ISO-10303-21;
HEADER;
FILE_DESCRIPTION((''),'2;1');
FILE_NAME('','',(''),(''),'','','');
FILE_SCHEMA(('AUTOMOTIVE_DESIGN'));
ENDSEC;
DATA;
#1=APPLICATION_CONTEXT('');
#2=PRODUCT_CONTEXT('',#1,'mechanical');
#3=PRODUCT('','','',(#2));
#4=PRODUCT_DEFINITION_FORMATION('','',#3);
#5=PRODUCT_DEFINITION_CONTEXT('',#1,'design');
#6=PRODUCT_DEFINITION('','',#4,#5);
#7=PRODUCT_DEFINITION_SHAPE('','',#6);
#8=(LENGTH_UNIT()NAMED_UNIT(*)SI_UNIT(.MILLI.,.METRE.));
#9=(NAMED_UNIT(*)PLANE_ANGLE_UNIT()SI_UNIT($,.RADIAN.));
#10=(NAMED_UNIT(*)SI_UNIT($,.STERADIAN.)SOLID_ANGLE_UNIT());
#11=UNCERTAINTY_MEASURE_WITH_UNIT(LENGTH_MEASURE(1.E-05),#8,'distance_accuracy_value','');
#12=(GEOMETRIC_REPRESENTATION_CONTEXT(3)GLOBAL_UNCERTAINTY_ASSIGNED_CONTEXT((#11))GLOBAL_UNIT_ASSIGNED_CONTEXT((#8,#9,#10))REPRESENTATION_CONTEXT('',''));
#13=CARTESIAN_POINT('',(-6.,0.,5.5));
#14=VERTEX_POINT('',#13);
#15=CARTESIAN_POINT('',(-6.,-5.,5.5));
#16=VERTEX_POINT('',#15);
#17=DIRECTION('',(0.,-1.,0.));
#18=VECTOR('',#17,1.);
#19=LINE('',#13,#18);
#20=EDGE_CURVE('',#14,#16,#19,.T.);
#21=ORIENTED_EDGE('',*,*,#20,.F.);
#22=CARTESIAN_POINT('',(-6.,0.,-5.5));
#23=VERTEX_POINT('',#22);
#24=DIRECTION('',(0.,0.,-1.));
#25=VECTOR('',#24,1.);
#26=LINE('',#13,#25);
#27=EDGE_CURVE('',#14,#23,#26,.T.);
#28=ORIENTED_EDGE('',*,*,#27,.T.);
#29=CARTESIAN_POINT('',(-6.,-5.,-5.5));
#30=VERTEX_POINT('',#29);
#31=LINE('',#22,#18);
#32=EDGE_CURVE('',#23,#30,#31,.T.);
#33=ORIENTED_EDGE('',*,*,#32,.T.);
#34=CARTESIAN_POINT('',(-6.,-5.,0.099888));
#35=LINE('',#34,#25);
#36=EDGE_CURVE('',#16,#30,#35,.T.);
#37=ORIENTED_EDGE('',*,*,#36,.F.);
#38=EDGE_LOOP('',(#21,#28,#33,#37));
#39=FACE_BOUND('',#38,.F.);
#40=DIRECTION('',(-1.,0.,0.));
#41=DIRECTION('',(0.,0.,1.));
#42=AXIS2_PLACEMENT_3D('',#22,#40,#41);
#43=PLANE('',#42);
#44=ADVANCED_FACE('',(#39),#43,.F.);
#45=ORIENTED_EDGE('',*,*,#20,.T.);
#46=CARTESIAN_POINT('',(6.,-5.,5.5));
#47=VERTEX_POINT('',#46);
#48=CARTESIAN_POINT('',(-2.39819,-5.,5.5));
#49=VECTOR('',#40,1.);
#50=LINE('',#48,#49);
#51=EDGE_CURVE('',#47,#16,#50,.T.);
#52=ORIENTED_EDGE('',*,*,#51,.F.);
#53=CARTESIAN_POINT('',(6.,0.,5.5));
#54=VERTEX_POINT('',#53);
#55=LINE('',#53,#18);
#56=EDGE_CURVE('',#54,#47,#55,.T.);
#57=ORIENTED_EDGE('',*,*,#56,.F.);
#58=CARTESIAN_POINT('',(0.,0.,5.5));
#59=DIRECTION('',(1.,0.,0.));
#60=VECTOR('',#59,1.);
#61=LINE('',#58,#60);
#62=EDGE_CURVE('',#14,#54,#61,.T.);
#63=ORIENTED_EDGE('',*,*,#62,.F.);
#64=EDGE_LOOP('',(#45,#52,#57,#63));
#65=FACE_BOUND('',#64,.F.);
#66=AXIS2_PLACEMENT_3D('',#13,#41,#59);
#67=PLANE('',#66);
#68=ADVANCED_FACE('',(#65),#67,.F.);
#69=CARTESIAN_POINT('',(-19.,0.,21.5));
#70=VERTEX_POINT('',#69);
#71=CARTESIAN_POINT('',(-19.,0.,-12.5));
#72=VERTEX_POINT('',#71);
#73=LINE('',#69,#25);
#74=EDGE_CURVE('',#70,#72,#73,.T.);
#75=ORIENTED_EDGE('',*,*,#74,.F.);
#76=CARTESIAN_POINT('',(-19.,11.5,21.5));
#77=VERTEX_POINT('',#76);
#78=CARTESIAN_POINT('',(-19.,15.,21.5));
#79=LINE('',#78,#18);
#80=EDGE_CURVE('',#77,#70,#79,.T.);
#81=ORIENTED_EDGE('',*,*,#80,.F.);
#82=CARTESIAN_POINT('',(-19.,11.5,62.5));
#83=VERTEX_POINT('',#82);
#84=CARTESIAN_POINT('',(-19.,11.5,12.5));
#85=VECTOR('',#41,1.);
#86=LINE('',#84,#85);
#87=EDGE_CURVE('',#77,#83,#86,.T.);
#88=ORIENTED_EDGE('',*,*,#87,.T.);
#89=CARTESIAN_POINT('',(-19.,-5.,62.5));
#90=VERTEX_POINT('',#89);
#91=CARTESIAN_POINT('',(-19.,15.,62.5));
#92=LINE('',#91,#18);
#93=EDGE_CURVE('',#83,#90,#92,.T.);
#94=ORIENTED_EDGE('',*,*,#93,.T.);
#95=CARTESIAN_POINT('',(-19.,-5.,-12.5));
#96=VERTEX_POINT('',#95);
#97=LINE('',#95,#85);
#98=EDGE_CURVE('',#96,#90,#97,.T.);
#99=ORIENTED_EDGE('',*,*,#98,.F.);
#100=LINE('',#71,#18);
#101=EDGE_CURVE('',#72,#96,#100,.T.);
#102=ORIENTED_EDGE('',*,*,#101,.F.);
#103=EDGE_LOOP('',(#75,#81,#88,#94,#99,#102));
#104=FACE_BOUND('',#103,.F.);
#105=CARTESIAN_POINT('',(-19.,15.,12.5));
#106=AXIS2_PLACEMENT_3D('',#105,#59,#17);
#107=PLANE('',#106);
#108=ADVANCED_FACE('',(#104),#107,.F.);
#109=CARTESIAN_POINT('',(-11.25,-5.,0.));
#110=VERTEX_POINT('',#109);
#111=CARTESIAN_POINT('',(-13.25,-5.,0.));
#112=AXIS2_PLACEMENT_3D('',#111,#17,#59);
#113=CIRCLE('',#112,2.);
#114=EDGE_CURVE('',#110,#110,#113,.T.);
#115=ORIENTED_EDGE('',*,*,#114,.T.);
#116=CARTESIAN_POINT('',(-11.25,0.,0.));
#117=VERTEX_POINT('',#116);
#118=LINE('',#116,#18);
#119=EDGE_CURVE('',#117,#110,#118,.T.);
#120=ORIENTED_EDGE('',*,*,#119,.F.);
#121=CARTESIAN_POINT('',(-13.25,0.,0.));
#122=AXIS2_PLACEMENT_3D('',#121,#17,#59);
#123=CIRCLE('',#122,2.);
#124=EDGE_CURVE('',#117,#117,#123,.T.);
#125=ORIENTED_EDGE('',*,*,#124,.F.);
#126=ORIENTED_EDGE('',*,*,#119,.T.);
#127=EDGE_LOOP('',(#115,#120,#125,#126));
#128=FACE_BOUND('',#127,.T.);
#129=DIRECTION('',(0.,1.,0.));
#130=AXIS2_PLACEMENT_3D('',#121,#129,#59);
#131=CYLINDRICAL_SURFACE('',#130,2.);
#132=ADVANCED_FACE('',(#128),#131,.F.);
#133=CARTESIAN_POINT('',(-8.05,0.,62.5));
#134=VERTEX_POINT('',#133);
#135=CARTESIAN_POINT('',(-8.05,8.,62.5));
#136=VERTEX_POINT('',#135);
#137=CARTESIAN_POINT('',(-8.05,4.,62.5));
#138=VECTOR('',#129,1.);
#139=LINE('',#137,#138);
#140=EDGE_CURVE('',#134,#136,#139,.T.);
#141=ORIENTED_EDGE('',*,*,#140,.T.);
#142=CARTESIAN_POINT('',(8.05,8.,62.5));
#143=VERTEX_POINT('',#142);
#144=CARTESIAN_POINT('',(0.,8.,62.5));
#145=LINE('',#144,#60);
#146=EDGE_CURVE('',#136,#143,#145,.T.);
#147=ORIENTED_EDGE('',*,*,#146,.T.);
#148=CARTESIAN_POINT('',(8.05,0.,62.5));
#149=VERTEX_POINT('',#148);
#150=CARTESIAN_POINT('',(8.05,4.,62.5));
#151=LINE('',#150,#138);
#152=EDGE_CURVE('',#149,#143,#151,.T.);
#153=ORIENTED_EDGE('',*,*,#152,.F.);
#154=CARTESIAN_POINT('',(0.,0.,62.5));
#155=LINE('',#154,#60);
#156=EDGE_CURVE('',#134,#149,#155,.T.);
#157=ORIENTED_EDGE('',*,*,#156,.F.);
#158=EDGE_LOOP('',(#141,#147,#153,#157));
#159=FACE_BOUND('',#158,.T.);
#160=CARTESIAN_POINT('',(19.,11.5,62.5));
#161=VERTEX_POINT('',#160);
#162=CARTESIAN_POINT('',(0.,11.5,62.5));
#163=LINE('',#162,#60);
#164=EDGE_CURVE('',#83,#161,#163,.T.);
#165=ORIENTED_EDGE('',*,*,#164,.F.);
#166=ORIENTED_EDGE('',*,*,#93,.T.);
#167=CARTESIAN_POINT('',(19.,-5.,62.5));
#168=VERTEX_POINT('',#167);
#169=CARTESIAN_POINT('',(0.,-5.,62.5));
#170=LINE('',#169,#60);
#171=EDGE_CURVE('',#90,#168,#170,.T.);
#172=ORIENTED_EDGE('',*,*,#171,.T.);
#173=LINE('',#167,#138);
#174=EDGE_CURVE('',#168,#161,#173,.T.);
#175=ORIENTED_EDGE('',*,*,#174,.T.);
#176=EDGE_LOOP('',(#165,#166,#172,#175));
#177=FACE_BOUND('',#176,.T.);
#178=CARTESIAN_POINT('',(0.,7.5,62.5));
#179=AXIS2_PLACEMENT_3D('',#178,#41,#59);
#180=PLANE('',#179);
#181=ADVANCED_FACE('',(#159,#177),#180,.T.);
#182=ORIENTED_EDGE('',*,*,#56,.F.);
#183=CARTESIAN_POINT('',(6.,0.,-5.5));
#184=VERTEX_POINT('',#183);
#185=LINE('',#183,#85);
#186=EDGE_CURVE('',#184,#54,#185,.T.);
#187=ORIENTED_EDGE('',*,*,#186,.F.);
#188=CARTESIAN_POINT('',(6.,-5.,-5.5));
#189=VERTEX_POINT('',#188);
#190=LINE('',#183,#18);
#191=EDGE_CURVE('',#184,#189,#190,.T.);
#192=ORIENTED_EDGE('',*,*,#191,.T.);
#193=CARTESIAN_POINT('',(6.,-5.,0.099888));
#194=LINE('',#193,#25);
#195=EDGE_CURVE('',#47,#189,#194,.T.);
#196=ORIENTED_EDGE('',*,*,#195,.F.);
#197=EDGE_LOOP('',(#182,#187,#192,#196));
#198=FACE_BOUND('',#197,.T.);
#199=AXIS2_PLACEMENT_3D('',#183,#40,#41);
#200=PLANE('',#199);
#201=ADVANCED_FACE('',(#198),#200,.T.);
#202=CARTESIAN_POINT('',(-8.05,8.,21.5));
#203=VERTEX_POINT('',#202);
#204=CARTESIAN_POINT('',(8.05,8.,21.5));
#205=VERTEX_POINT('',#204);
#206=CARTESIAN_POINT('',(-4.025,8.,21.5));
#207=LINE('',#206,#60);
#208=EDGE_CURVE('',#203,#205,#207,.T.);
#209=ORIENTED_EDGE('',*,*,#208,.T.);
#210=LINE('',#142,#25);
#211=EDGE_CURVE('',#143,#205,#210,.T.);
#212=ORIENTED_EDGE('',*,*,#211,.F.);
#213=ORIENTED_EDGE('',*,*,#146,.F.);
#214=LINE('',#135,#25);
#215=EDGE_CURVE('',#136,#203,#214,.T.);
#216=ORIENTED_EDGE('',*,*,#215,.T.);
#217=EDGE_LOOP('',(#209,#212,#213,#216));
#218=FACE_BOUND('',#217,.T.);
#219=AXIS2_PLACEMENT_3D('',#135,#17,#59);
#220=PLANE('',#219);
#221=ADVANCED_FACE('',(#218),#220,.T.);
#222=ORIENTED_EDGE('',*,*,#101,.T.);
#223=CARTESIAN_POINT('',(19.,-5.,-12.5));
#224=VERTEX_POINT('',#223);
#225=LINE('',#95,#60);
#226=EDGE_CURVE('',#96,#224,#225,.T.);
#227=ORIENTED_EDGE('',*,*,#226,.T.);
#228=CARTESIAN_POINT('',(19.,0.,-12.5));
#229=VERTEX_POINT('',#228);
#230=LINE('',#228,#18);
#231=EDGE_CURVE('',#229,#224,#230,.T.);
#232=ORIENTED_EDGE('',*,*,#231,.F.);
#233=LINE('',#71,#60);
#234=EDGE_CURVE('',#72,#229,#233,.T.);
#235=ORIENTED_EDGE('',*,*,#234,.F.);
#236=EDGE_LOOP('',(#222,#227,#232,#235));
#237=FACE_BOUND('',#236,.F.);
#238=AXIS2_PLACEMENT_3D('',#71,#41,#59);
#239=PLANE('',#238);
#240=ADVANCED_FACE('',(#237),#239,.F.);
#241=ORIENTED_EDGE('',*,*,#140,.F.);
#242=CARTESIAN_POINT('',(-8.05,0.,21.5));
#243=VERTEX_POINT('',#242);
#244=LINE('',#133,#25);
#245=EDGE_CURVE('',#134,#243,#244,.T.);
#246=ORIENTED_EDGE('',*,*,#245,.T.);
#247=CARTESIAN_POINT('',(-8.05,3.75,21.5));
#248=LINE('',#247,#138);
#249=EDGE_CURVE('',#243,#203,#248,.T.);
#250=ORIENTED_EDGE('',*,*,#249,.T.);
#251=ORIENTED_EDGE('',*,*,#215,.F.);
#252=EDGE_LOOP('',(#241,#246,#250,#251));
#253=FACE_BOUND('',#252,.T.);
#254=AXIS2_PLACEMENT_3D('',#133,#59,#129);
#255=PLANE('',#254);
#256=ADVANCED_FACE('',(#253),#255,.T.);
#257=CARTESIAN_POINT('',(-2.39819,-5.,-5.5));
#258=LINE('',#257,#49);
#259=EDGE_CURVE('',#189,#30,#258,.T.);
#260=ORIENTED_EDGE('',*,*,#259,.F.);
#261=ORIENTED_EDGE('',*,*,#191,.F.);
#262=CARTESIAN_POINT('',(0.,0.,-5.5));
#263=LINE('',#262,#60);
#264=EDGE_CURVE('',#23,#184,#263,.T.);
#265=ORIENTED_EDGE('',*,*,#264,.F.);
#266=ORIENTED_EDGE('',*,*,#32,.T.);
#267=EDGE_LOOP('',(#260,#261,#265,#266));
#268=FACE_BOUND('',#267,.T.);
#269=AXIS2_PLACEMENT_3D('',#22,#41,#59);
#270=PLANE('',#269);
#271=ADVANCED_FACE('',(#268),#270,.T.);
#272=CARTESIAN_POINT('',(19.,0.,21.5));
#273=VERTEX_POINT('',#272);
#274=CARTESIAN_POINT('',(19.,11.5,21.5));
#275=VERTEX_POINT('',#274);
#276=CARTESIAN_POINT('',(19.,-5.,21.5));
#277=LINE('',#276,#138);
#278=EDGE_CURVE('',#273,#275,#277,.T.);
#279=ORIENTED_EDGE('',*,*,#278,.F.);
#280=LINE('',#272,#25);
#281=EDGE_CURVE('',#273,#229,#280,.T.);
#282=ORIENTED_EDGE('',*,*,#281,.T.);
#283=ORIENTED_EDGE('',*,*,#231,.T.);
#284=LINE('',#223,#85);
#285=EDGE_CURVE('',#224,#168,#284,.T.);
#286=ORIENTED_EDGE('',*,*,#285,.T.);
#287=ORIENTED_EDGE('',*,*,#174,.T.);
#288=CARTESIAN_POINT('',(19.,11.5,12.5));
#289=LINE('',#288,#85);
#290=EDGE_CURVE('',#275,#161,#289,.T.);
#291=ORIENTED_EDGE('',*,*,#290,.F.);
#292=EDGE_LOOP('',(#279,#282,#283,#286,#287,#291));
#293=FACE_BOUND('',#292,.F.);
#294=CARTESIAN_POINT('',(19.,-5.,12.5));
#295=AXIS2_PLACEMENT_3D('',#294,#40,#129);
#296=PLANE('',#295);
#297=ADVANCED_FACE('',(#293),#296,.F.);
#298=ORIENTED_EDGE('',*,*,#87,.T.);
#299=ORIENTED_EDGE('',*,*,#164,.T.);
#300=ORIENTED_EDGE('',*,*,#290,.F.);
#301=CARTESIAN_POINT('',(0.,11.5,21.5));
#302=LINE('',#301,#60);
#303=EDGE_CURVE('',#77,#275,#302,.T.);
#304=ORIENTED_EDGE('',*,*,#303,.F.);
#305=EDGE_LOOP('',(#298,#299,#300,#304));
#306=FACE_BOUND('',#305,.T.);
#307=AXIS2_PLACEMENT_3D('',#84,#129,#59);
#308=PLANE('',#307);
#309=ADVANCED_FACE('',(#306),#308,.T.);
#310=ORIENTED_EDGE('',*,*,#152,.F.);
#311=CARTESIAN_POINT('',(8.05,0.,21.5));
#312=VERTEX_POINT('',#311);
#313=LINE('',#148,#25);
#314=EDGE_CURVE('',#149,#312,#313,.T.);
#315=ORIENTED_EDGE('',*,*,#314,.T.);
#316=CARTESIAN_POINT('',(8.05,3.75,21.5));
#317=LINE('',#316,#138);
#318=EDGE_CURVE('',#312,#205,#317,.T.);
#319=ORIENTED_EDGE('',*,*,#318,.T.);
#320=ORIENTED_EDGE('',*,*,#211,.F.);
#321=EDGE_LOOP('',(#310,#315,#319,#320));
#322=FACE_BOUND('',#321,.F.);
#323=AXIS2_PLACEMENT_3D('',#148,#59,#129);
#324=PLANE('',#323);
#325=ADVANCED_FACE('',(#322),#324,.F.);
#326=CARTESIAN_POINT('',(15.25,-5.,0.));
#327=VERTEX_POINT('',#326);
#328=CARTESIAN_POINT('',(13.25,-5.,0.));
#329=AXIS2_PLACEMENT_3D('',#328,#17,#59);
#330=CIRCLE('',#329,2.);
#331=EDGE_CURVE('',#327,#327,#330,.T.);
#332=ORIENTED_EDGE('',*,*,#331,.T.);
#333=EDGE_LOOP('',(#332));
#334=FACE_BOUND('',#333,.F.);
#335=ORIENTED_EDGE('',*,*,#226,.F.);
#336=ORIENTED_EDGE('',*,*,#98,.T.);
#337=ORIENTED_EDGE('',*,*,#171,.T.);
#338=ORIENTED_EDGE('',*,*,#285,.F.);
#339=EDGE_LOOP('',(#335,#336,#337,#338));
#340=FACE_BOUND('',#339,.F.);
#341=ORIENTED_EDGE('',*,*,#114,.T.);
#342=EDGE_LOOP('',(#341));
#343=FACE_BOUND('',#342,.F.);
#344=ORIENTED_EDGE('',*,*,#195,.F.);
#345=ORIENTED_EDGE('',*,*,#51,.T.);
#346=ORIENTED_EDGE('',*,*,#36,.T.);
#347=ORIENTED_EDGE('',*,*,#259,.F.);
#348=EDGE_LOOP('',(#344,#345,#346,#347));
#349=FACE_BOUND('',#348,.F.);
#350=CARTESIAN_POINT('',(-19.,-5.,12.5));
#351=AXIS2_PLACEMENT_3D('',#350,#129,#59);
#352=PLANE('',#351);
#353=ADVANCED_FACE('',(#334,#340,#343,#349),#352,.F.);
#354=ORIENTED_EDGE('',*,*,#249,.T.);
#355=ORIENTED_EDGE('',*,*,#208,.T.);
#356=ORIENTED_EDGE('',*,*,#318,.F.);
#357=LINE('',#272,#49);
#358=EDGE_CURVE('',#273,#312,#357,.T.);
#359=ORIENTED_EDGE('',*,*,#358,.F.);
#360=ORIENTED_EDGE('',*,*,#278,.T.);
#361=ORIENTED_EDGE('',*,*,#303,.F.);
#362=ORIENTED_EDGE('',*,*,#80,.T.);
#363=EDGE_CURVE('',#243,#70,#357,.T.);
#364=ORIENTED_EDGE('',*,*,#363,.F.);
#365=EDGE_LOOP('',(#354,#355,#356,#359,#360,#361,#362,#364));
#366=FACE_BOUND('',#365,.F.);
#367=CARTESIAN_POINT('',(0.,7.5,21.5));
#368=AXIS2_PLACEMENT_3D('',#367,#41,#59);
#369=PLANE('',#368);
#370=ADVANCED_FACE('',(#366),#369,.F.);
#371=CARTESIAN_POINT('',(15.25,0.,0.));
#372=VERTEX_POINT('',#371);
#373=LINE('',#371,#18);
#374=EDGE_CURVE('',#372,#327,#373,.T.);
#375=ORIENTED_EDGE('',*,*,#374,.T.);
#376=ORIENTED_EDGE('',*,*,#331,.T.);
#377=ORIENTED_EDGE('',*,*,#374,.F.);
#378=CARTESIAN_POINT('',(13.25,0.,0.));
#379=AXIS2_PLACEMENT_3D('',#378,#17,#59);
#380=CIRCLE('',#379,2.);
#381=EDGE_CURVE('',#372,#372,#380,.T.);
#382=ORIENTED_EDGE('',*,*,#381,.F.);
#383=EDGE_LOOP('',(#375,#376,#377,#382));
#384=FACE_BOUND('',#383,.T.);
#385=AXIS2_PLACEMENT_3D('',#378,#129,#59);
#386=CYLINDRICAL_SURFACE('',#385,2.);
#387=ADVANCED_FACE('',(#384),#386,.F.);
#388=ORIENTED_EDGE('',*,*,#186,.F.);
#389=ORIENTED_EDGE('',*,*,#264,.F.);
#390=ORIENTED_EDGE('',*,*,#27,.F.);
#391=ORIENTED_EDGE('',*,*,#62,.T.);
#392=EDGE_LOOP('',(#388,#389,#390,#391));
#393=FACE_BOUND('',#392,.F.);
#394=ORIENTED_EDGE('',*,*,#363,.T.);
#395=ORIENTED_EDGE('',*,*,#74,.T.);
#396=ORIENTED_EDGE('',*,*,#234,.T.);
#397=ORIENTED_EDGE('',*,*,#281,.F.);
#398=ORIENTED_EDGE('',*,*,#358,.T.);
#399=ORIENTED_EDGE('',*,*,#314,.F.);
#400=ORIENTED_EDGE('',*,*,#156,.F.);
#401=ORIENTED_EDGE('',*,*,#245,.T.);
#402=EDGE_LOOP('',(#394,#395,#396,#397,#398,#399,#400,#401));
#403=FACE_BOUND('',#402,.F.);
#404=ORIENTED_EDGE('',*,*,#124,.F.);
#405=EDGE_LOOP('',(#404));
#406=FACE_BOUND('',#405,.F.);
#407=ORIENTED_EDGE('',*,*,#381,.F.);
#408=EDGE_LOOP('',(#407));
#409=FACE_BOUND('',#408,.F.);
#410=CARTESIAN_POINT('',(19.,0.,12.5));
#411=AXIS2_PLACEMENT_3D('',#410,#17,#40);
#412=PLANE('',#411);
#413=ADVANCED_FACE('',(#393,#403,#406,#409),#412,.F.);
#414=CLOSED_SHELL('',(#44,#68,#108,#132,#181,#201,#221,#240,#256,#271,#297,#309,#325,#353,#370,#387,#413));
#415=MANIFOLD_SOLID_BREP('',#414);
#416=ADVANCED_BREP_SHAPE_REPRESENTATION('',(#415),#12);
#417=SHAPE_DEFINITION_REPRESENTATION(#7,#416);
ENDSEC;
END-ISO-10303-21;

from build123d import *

# Parameters (mm, degrees)
F0_R     = 2
F2_DEPTH = 5
F1_W     = 12
F1_H     = 11
F3_DEPTH = 50.9
F4_W     = 38
F4_H     = 15
F4_H_2   = 5
F5_DEPTH = 50
F6_DEPTH = 9
F7_W     = 16.1
F7_H     = 8
F8_DEPTH = 59.7
F9_DEPTH = 3.5


with BuildPart() as f2:
    # F0 (on Front) → F2 (new body)
    with BuildSketch(Plane.XZ):
        with BuildLine():
            ThreePointArc((-2.5, 0), (0, 2.5), (2.5, 0))
            Line((2.5, 0), (8, 0))
            Line((8, 0), (8, -3.5))
            Line((8, -3.5), (19, -3.5))
            Line((19, -3.5), (19, 12.5))
            Line((19, 12.5), (-19, 12.5))
            Line((-19, 12.5), (-19, 3.5))
            Line((-19, 3.5), (-8, 3.5))
            Line((-8, 3.5), (-8, 0))
            Line((-8, 0), (-2.5, 0))
        make_face()
        with Locations((13.25, 0)):
            Circle(F0_R, mode=Mode.SUBTRACT)
        with BuildLine():
            Line((8, 0), (2.5, 0))
            ThreePointArc((2.5, 0), (0, -2.5), (-2.5, 0))
            Line((-2.5, 0), (-8, 0))
            Line((-8, 0), (-8, 3.5))
            Line((-8, 3.5), (-19, 3.5))
            Line((-19, 3.5), (-19, -12.5))
            Line((-19, -12.5), (19, -12.5))
            Line((19, -12.5), (19, -3.5))
            Line((19, -3.5), (8, -3.5))
            Line((8, -3.5), (8, 0))
        make_face()
        with Locations((-13.25, 0)):
            Circle(F0_R, mode=Mode.SUBTRACT)
    extrude(amount=F2_DEPTH)

    # F1 (on Front) → F3 (cut)
    with BuildSketch(Plane.XZ):
        Rectangle(F1_W, F1_H)
    extrude(amount=F3_DEPTH, mode=Mode.SUBTRACT)

    # F4 (on face) → F5 (join)
    with BuildSketch(Plane.XY.offset(12.5)):
        with Locations((0, 7.5)):
            Rectangle(F4_W, F4_H)
        with Locations((0, -2.5)):
            Rectangle(F4_W, F4_H_2)
    extrude(amount=F5_DEPTH)

    # F6 (cut): a face of the model
    f6_faces = [f2.faces().sort_by_distance(p)[0] for p in [
        (0, 7.5, 12.5),
    ]]
    extrude(f6_faces, amount=-F6_DEPTH, mode=Mode.SUBTRACT)

    # F7 (on face) → F8 (cut)
    with BuildSketch(Plane.XY.offset(62.5)):
        with Locations((0, 4)):
            Rectangle(F7_W, F7_H)
    extrude(amount=-F8_DEPTH, mode=Mode.SUBTRACT)

    # F9 (cut): a face of the model
    f9_faces = [f2.faces().sort_by_distance(p)[0] for p in [
        (0, 15, 42),
    ]]
    extrude(f9_faces, amount=-F9_DEPTH, mode=Mode.SUBTRACT)


solid = f2.part
